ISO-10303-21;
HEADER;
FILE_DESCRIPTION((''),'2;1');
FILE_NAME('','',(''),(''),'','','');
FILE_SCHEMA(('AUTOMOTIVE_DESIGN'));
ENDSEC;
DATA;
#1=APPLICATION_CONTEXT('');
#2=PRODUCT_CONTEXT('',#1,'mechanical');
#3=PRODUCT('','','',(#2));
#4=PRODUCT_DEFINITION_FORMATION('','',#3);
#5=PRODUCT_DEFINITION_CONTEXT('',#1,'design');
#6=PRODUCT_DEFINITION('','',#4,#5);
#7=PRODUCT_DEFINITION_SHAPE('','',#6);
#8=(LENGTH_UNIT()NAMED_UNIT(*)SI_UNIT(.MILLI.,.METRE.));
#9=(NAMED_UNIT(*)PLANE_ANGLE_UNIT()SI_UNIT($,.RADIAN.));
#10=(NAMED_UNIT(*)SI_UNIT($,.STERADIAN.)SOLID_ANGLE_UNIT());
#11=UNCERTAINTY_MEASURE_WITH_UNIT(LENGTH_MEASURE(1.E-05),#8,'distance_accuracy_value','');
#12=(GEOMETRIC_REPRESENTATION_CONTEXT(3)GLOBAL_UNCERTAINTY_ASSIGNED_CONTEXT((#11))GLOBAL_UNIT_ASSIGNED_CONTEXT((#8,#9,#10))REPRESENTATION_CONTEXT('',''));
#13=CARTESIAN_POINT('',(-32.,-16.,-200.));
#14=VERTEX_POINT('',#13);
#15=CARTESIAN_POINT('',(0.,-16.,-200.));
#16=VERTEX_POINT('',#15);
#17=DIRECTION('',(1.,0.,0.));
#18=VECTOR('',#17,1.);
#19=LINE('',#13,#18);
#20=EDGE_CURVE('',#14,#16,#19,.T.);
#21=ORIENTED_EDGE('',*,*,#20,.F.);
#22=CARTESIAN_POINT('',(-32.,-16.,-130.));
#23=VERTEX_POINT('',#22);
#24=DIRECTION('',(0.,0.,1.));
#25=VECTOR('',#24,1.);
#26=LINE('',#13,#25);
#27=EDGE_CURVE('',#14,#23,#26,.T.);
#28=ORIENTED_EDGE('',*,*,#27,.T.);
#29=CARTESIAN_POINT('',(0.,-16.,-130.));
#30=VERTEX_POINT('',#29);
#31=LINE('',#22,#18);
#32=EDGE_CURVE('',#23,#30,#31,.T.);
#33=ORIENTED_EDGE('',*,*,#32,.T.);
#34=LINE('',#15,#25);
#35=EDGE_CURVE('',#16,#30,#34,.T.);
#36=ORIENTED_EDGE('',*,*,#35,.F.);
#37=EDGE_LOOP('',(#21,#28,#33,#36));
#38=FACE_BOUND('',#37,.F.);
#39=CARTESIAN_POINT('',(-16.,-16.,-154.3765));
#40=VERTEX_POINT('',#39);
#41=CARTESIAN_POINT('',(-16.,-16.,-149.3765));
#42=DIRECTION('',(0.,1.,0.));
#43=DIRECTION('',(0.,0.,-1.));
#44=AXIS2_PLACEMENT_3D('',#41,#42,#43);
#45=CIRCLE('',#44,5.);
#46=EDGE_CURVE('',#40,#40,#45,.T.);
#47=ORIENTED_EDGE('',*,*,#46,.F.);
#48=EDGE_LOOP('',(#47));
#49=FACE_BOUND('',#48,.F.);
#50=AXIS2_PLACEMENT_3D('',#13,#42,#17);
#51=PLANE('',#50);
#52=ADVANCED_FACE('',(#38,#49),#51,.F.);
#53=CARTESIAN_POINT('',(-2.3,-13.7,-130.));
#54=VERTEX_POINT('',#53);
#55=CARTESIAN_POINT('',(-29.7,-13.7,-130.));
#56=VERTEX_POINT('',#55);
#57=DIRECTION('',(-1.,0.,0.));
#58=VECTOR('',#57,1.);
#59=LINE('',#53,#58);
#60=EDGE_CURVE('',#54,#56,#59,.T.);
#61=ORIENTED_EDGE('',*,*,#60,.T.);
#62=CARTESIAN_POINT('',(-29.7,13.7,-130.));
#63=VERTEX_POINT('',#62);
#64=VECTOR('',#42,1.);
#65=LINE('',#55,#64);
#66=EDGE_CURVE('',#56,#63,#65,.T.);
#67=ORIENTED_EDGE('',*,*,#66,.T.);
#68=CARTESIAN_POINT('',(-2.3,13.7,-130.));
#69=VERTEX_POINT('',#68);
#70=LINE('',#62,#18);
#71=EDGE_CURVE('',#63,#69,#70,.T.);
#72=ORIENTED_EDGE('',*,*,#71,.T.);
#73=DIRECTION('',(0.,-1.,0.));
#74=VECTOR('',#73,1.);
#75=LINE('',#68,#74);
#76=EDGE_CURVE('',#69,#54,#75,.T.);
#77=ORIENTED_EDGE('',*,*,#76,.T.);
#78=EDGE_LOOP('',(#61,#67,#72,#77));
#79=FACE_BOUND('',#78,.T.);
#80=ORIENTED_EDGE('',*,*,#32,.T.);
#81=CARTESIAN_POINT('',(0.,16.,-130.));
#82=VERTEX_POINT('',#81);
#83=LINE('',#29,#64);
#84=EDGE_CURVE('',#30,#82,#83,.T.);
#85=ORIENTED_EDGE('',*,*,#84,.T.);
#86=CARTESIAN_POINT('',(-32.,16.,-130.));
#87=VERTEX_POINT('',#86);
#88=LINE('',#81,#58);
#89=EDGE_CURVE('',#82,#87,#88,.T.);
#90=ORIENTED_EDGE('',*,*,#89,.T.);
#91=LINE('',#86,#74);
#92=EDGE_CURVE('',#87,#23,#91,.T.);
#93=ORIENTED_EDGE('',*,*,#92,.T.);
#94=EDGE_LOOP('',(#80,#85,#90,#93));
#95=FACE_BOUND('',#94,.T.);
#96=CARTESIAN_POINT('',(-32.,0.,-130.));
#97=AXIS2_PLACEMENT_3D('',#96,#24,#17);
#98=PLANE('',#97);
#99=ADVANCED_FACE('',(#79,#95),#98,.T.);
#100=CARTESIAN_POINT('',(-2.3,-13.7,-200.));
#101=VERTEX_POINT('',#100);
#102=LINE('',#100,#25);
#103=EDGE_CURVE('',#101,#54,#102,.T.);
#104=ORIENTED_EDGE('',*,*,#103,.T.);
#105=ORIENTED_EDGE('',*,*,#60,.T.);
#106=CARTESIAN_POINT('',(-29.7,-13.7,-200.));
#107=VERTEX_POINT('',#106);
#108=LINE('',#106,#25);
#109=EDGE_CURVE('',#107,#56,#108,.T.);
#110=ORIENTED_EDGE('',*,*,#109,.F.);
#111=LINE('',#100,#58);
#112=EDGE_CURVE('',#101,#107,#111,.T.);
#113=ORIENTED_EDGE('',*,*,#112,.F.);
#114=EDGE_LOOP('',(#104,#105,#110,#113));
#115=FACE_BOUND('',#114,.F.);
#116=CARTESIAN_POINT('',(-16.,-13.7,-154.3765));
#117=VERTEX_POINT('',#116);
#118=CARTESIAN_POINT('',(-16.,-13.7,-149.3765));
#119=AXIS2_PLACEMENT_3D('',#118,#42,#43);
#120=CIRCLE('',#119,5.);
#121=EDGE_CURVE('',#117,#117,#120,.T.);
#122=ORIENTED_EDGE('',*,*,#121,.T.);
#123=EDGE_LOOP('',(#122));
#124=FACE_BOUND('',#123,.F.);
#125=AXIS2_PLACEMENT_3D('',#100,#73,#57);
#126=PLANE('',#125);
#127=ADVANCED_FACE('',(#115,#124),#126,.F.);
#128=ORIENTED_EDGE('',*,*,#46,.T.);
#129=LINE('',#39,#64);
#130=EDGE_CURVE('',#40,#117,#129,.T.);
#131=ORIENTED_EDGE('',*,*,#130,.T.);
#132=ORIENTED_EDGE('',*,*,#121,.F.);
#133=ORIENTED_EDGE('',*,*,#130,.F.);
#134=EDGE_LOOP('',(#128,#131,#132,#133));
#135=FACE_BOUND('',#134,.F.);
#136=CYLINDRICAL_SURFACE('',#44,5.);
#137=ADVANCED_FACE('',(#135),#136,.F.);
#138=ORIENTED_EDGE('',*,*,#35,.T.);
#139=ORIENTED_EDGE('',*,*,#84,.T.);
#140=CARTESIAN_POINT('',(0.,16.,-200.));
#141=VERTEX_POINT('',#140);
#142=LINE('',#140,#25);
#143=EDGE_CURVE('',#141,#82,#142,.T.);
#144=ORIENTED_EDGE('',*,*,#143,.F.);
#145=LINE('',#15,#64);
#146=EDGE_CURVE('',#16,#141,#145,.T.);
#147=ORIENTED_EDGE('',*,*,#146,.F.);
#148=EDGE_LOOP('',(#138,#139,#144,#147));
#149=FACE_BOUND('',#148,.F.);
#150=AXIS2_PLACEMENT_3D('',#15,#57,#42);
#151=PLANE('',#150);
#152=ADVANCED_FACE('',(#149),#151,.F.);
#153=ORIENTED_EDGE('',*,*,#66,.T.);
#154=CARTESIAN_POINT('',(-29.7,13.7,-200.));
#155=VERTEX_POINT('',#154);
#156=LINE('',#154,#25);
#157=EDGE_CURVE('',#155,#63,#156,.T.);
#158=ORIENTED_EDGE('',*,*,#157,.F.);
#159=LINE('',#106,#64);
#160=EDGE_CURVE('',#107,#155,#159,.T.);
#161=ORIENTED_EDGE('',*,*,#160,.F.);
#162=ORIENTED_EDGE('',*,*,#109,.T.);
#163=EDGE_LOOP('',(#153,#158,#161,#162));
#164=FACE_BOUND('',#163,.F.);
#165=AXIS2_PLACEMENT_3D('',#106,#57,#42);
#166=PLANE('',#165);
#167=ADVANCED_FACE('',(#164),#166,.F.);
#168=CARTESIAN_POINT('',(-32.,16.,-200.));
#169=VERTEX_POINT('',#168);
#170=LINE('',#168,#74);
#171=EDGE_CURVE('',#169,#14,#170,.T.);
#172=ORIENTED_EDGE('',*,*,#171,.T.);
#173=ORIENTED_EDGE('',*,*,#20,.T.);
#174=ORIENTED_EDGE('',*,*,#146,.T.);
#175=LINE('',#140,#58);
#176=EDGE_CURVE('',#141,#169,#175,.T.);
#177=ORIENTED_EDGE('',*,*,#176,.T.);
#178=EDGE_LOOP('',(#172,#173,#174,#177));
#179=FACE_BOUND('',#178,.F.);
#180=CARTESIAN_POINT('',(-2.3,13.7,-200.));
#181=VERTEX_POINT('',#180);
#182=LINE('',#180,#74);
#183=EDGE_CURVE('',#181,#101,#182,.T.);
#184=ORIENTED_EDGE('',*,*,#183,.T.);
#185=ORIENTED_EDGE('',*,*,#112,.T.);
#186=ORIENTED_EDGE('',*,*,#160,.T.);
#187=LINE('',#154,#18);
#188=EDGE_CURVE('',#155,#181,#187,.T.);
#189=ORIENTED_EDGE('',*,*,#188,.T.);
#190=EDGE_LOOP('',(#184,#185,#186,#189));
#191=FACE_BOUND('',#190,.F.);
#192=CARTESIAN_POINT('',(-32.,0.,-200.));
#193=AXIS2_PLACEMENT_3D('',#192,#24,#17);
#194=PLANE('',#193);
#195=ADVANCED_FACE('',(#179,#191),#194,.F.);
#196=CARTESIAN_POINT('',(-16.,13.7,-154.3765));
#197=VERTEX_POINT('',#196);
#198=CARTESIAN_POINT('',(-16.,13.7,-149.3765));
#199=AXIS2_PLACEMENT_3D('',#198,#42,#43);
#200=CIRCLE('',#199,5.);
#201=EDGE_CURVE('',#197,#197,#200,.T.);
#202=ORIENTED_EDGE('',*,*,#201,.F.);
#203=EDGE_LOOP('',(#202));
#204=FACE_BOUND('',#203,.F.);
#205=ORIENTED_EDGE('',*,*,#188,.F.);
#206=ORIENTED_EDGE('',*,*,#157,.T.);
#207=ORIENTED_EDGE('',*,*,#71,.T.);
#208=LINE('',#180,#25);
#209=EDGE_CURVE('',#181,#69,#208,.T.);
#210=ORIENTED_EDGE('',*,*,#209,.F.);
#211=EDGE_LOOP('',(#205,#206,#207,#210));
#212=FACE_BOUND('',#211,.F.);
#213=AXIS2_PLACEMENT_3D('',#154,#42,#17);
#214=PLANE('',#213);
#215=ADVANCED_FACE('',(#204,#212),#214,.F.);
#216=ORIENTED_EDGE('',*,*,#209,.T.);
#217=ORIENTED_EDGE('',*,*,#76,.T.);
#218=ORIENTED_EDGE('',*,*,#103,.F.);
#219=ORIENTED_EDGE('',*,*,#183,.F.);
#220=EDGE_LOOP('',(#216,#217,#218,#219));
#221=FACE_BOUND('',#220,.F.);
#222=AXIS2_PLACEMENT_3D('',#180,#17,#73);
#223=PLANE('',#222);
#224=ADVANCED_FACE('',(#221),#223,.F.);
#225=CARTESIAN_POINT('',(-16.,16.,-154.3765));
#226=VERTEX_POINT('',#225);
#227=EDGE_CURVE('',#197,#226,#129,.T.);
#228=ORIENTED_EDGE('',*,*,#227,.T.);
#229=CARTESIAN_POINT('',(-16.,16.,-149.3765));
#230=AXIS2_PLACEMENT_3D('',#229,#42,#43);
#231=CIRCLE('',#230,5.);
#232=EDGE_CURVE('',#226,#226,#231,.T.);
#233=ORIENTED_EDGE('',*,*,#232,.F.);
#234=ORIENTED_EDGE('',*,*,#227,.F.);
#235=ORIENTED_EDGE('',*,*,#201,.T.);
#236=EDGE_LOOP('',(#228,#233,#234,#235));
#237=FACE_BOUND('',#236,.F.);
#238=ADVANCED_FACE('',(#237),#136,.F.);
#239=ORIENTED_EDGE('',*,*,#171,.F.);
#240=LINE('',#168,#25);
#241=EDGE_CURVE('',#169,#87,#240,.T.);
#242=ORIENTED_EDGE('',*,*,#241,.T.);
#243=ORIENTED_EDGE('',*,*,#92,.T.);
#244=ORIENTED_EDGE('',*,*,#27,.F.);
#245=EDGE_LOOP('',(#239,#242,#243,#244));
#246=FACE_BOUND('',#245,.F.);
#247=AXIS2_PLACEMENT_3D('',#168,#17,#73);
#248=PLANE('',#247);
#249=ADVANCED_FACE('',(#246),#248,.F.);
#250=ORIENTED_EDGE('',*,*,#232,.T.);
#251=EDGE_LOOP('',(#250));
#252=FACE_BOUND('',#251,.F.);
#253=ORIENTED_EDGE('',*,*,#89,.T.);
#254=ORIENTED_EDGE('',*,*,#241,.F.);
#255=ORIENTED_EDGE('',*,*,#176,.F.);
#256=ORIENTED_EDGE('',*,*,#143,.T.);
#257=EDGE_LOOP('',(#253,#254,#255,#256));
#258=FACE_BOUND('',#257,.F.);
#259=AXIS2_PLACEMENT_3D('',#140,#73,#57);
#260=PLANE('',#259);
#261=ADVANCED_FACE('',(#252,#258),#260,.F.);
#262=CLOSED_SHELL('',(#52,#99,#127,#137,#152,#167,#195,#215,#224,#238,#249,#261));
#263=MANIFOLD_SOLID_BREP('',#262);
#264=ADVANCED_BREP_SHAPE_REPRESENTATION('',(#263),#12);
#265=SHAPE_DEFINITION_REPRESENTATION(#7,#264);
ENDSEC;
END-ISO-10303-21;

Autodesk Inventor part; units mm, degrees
ref_plane "YZ Plane" through (0, 0, 0) normal (1, 0, 0) x (0, 1, 0)
ref_plane "XZ Plane" through (0, 0, 0) normal (0, 1, 0) x (-1, 0, 0)
ref_plane "XY Plane" through (0, 0, 0) normal (0, 0, 1) x (1, 0, 0)
sketch "スケッチ2" plane through (0, 0, 0) normal (0, 1, 0) x (-1, 0, 0)
  line L0 (43, -215) -> (-441.4, 962.3333)
  line L1 (32, 0) -> (32, -200)
  line L2 (0, 0) -> (0, -200)
  line L3 (32, 0) -> (0, 0)
  line L4 (16, 0) -> (16, -149.3765)
  line L5 (32, -200) -> (0, -200)
  dimension "d0" = 50.6234
ref_plane "作業平面1" through (-32, 0, -200) normal (0, 0, 1) x (1, 0, 0)
sketch "スケッチ5" plane through (-32, 0, -200) normal (0, 0, 1) x (1, 0, 0)
  line L0 (0, -16) -> (32, -16)
  line L1 (32, -16) -> (32, 16)
  line L2 (32, 16) -> (0, 16)
  line L3 (0, 16) -> (0, -16)
  line L4 (0, -16) -> (32, 16) construction
  line L5 (32, -16) -> (0, 16) construction
  line L6 (29.7, -13.7) -> (2.3, -13.7)
  line L7 (2.3, -13.7) -> (2.3, 13.7)
  line L8 (2.3, 13.7) -> (29.7, 13.7)
  line L9 (29.7, 13.7) -> (29.7, -13.7)
  point P0 (32, 0)
  point P1 (16, 0)
  dimension "d7" = 32
  dimension "d8" = 32
  dimension "d9" = 2.3
extrude "押し出し2" add sketch "スケッチ5" along normal blind 70
sketch "スケッチ6" plane through (-32, -16, -200) normal (0, -1, 0) x (1, 0, 0)
  line L0 (-11, -15) -> (473.4, 1162.3333) projected
  line L1 (16, 200) -> (16, 50.6235) projected
  point P0 (32, 200)
hole "穴1" at (-16, -16, -149.3765) direction (0, 1, 0) diameter 10 end through all
properties part number "ステア棒"
